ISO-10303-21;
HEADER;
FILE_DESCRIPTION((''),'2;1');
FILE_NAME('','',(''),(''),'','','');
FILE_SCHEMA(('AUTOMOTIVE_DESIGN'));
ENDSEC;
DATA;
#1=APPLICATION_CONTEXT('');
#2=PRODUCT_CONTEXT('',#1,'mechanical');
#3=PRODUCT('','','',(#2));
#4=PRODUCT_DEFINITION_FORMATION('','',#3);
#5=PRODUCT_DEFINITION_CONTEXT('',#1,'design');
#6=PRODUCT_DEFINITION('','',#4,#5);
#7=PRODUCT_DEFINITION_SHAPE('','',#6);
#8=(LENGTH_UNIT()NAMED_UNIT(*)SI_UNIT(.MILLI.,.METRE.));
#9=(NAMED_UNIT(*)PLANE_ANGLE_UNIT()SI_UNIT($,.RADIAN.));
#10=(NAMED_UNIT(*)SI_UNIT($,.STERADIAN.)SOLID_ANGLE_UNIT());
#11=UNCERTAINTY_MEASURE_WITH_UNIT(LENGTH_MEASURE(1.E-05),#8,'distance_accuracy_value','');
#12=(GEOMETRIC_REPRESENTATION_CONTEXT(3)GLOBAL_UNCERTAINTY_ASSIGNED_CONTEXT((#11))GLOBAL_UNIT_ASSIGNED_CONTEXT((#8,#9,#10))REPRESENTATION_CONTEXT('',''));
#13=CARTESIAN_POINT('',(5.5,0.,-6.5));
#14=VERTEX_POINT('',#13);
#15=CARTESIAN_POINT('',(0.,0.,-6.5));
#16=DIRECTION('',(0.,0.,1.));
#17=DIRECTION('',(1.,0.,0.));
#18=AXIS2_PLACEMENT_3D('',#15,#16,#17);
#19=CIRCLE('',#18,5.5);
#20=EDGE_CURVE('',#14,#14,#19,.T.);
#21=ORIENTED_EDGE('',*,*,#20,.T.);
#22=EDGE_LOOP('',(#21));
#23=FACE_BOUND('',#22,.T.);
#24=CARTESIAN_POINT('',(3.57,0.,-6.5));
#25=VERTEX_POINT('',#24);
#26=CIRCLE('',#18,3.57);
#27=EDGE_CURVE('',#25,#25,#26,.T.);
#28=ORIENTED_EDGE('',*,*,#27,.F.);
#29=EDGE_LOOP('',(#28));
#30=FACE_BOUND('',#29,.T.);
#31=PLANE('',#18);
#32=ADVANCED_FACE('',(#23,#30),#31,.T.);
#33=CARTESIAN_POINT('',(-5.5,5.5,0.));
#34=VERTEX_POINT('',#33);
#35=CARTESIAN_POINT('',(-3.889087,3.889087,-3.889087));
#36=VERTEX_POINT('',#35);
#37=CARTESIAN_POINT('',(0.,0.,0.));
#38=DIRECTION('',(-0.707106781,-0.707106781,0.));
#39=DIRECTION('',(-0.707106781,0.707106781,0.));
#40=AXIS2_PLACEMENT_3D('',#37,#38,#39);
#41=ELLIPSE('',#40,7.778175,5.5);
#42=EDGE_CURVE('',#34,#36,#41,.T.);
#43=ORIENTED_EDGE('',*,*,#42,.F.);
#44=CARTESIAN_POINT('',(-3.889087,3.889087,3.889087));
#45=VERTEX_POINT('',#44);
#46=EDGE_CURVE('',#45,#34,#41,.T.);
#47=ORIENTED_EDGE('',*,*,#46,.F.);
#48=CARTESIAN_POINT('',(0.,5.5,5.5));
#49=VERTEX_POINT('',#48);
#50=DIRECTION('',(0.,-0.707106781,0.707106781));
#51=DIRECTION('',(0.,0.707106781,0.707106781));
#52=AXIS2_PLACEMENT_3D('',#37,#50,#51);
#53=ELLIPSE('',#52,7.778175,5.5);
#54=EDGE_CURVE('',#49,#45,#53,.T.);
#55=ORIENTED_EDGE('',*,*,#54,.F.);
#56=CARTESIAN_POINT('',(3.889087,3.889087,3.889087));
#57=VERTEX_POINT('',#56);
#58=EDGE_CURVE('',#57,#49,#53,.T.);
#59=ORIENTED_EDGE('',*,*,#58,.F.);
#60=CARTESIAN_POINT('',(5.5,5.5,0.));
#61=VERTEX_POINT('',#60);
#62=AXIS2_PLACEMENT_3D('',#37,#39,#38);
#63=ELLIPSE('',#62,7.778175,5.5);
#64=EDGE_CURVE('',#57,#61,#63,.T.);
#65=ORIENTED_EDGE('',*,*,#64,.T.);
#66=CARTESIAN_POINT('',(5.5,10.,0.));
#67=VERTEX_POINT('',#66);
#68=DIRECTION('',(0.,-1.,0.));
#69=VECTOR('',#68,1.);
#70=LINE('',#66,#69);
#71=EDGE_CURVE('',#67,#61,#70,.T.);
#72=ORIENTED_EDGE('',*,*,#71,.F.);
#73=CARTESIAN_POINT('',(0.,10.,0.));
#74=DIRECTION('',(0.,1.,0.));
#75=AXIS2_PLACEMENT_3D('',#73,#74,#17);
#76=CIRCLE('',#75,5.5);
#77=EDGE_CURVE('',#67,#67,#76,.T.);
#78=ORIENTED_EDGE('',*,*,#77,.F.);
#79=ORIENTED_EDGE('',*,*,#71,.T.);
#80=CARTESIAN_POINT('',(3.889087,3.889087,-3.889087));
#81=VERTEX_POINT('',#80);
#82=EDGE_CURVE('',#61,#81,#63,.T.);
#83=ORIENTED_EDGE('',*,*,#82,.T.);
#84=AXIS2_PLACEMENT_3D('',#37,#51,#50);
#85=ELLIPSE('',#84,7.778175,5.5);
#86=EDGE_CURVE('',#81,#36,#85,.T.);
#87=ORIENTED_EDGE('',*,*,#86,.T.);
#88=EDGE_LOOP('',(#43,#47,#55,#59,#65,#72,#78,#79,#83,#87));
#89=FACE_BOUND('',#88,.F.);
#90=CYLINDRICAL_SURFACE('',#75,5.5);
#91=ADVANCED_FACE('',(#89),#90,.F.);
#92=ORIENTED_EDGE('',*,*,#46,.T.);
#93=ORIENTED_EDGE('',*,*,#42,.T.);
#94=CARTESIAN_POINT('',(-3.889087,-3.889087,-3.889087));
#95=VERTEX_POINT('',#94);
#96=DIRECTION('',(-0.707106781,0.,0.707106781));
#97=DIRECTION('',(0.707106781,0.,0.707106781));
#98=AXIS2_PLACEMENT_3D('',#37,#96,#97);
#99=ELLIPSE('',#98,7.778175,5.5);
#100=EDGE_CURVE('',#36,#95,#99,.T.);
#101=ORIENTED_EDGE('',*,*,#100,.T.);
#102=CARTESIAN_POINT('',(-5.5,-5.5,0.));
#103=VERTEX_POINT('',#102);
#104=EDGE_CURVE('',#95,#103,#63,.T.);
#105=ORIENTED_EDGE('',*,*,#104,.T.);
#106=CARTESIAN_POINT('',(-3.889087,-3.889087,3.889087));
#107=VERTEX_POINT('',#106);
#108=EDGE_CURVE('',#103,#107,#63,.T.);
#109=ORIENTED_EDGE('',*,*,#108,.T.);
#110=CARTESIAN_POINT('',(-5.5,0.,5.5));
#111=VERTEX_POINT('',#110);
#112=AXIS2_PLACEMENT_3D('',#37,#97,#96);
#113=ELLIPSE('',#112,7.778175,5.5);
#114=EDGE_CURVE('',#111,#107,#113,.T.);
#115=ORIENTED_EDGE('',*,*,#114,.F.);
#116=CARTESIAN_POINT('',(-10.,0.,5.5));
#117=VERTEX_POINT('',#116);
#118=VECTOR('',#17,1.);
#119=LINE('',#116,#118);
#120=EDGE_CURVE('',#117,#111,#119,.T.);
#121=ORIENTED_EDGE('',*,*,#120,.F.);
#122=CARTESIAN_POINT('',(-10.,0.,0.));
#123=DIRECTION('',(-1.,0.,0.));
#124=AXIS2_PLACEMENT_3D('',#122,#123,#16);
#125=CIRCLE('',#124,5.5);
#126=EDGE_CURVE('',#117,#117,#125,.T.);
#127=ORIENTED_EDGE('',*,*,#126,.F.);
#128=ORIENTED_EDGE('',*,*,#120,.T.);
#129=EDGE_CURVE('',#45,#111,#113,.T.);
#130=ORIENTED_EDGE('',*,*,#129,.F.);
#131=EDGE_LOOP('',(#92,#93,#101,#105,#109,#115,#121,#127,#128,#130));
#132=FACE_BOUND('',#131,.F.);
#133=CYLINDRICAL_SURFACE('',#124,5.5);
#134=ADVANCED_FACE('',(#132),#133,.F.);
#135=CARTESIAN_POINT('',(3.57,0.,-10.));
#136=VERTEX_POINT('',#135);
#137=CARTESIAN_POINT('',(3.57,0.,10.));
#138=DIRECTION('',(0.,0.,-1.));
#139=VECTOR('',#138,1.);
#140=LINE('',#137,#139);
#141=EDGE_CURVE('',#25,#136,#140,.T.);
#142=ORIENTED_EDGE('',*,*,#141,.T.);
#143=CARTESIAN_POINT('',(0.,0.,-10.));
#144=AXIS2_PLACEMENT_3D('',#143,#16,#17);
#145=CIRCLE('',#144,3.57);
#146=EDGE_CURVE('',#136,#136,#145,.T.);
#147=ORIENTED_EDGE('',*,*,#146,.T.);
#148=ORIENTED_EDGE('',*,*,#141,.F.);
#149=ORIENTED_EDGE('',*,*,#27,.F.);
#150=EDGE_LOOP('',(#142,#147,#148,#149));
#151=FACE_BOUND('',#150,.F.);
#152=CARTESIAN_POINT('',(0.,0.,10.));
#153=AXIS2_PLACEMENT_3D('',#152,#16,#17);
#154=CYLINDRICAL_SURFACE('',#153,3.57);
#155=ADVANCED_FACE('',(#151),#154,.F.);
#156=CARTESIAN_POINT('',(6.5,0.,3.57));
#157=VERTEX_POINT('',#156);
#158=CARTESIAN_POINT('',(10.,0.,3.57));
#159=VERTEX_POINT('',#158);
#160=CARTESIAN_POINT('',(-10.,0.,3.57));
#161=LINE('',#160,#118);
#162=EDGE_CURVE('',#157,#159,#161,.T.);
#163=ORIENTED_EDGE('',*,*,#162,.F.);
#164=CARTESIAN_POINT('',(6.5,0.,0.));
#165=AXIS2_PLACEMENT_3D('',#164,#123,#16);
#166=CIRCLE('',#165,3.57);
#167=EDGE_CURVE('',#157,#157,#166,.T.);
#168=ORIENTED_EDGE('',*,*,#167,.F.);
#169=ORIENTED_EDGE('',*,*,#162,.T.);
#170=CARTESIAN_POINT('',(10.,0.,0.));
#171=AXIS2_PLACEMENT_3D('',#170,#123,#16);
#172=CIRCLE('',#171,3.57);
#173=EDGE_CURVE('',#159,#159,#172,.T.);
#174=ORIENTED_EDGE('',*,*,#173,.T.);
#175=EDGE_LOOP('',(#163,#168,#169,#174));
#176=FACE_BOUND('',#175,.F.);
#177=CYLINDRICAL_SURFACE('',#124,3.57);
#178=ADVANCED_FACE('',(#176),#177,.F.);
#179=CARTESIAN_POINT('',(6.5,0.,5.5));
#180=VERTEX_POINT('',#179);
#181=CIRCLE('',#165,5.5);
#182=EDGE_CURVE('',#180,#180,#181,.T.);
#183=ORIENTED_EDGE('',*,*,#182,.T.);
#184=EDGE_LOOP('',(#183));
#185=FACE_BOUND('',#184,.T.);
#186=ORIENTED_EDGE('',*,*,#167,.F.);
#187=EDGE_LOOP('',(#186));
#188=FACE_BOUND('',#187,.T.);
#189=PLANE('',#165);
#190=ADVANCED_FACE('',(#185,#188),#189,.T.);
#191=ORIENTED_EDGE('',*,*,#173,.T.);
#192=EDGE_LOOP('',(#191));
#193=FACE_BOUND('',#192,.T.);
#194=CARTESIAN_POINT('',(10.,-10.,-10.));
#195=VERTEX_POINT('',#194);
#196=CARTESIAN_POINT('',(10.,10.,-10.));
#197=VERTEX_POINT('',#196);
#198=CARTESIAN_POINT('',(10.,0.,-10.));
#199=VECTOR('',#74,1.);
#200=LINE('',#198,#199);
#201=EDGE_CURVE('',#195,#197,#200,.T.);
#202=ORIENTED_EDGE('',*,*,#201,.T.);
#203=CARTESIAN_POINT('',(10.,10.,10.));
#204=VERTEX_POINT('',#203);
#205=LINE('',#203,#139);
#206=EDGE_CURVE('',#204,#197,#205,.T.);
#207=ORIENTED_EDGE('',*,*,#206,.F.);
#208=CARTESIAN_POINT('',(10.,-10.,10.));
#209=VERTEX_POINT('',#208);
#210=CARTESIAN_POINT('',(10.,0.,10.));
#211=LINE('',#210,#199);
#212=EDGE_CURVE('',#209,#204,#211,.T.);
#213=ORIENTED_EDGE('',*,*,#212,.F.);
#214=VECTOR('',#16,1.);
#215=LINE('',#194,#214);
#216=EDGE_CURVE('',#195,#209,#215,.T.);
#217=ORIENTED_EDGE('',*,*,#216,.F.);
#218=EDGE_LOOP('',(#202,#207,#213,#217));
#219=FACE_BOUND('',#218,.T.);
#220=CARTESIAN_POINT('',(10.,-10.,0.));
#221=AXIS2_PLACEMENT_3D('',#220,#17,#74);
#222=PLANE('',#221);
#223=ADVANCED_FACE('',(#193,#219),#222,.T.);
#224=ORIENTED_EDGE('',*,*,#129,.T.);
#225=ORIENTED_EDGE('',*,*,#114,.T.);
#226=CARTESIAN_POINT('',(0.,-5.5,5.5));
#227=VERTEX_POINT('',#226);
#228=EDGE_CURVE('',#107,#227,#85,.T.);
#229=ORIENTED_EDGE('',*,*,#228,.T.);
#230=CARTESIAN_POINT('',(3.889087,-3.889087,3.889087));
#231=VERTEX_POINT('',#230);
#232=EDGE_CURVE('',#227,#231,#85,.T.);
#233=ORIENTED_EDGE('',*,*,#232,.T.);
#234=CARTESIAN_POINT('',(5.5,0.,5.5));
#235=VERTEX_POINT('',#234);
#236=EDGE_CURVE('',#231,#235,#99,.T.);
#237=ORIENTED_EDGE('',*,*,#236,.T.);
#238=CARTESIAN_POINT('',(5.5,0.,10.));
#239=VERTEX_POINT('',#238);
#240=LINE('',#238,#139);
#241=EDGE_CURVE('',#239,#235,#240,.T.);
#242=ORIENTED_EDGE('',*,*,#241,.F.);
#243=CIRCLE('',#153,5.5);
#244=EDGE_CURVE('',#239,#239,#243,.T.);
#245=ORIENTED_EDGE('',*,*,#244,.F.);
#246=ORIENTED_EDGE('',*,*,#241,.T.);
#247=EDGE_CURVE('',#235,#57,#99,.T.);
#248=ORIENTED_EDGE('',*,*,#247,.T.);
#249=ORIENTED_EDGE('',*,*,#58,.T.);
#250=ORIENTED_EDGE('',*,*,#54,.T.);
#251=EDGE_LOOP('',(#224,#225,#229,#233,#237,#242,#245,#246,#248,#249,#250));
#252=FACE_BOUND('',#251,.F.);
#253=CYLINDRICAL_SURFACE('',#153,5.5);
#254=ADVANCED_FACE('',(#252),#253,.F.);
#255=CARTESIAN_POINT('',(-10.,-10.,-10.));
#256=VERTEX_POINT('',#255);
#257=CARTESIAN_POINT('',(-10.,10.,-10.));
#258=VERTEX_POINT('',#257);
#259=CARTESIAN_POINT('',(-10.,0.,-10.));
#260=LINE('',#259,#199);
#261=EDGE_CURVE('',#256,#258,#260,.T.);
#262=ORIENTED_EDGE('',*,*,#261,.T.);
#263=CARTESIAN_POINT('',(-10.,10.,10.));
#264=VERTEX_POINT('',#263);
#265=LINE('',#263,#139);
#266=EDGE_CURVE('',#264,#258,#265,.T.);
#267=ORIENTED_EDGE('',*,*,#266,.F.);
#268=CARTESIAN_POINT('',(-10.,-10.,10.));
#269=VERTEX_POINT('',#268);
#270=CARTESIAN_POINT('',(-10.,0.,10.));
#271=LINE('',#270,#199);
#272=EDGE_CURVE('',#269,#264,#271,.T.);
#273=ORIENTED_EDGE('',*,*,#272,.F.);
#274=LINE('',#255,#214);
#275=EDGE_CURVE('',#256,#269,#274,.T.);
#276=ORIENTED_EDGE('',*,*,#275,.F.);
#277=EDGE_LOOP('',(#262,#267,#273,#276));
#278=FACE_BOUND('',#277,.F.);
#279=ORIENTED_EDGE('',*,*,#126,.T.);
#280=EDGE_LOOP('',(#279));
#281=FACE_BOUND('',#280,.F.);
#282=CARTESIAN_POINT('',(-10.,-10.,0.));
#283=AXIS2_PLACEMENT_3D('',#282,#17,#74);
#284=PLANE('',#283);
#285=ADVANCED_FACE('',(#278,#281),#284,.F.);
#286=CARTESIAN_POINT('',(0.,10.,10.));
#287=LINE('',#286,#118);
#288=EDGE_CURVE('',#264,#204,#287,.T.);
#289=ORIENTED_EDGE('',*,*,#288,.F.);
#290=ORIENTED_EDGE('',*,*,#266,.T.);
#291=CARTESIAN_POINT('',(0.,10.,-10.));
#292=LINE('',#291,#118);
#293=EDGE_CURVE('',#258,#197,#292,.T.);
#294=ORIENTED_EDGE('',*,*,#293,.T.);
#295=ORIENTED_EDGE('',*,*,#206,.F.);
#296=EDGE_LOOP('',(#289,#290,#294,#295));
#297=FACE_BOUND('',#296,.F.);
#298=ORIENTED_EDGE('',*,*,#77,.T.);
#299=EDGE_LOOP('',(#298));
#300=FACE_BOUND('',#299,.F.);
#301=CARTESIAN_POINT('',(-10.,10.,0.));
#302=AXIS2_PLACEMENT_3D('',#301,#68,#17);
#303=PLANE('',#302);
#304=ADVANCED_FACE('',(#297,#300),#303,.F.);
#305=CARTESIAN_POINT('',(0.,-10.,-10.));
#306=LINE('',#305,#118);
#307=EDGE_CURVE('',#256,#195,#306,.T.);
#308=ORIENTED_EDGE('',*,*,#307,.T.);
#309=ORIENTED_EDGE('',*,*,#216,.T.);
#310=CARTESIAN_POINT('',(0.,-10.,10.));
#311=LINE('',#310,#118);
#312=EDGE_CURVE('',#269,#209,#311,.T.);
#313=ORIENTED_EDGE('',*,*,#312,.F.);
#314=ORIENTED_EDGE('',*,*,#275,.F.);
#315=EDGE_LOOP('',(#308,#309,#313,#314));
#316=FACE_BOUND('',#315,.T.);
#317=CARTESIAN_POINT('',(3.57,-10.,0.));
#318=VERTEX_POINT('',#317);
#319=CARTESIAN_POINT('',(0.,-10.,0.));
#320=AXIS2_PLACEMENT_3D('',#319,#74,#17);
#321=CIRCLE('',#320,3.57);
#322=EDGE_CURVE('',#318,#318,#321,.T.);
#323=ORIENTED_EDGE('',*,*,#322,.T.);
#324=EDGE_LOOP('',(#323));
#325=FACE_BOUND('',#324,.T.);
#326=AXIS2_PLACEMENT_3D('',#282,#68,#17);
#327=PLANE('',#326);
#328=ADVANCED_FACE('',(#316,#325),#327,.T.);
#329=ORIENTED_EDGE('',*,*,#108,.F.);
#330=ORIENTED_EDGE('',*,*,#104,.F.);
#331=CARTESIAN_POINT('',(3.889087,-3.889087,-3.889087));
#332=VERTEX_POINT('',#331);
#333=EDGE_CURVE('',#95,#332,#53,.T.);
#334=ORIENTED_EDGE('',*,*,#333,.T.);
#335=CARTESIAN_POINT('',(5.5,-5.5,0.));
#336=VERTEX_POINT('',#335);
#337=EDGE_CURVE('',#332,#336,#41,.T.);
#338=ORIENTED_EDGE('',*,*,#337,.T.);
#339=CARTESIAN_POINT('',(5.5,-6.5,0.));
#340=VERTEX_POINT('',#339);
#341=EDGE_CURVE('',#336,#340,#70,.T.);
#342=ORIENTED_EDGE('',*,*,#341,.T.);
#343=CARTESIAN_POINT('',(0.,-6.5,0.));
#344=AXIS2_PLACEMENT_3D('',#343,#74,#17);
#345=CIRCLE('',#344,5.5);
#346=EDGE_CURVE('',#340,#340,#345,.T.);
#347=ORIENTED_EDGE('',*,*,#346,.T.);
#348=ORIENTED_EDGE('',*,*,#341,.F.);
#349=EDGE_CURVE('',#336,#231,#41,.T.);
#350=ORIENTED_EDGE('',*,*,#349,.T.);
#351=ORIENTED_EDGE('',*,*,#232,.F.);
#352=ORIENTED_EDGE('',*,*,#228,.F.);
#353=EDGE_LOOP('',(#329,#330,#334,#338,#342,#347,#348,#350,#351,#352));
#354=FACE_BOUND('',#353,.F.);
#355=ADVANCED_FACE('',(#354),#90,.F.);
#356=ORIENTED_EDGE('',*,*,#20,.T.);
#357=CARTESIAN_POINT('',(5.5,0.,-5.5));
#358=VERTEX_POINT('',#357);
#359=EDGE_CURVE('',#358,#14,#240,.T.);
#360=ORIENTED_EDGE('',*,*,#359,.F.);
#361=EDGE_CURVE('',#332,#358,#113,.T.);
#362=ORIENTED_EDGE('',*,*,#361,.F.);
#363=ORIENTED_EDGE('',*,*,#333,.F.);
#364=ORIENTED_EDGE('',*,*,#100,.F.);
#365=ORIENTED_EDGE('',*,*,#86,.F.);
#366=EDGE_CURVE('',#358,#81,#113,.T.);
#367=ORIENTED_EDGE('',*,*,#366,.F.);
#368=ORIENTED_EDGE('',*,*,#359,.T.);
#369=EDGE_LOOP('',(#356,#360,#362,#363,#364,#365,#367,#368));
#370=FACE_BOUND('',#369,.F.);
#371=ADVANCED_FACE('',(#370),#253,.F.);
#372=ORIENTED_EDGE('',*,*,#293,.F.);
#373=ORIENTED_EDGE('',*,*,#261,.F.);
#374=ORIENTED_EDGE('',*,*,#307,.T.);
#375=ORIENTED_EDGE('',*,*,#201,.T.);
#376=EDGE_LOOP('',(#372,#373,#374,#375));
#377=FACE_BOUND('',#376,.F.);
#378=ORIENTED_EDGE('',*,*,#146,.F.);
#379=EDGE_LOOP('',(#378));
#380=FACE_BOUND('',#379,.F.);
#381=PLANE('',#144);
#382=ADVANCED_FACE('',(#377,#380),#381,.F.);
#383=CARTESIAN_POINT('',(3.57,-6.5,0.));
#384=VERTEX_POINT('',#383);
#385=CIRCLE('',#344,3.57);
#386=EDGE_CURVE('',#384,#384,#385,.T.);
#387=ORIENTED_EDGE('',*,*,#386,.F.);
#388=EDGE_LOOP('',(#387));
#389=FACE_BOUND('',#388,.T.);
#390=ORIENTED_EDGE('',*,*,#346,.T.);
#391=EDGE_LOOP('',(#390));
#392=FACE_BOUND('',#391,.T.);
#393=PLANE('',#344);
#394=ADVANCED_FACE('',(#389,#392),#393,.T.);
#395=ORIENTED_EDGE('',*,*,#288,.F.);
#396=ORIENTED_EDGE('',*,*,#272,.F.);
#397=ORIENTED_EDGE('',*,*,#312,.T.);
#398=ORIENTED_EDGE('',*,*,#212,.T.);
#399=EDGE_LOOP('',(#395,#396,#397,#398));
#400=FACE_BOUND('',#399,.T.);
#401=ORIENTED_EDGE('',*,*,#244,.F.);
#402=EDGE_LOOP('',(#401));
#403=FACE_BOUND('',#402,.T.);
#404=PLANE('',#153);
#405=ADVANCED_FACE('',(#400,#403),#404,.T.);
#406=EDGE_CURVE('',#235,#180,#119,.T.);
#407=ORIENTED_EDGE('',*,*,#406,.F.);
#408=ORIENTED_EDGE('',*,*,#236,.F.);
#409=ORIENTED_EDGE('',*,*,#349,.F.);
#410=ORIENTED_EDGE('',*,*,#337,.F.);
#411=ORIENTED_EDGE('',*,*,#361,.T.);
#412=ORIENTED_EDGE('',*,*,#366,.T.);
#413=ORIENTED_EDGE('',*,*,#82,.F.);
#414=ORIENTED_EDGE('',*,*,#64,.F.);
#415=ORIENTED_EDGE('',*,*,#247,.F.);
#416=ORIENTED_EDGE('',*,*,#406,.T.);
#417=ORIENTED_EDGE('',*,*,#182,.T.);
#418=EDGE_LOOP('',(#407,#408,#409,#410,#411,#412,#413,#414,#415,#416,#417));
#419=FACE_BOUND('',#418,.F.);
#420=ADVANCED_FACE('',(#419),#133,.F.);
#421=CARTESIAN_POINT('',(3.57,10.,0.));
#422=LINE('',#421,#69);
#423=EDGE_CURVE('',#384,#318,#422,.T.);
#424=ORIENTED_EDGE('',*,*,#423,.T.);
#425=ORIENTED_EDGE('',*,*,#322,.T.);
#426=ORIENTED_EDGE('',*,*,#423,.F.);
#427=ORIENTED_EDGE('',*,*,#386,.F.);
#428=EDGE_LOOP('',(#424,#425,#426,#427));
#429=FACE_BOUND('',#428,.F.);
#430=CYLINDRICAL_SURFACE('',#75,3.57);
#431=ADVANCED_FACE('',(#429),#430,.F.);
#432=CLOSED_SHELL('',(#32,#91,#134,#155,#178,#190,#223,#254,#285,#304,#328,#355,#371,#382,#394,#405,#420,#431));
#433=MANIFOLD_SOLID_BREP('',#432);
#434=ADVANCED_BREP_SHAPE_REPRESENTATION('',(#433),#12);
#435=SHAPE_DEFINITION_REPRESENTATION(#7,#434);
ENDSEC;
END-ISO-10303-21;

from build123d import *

# Parameters (mm, degrees)
SKETCH1_W           = 20
SKETCH1_H           = 20
BOSS_EXTRUDE1_DEPTH = 10
SKETCH2_R           = 3.57
CUT_EXTRUDE1_DEPTH  = 21
SKETCH3_R           = 5.5
CUT_EXTRUDE2_DEPTH  = 16.5
SKETCH4_R           = 3.57
CUT_EXTRUDE3_DEPTH  = 21
SKETCH5_R           = 5.5
CUT_EXTRUDE4_DEPTH  = 16.5
SKETCH6_R           = 3.57
CUT_EXTRUDE5_DEPTH  = 21
SKETCH7_R           = 5.5
CUT_EXTRUDE6_DEPTH  = 16.5


with BuildPart() as part:
    # Sketch1 → Boss-Extrude1 (new body, symmetric)
    with BuildSketch(Plane.XY):
        Rectangle(SKETCH1_W, SKETCH1_H)
    extrude(amount=BOSS_EXTRUDE1_DEPTH, both=True)

    # Sketch2 → Cut-Extrude1 (cut, through all)
    with BuildSketch(Plane.XY.offset(10)):
        Circle(SKETCH2_R)
    extrude(amount=-CUT_EXTRUDE1_DEPTH, mode=Mode.SUBTRACT)

    # Sketch3 → Cut-Extrude2 (cut)
    with BuildSketch(Plane.XY.offset(10)):
        Circle(SKETCH3_R)
    extrude(amount=-CUT_EXTRUDE2_DEPTH, mode=Mode.SUBTRACT)

    # Sketch4 → Cut-Extrude3 (cut, through all)
    with BuildSketch(Plane.ZY.offset(10)):
        Circle(SKETCH4_R)
    extrude(amount=-CUT_EXTRUDE3_DEPTH, mode=Mode.SUBTRACT)

    # Sketch5 → Cut-Extrude4 (cut)
    with BuildSketch(Plane.ZY.offset(10)):
        Circle(SKETCH5_R)
    extrude(amount=-CUT_EXTRUDE4_DEPTH, mode=Mode.SUBTRACT)

    # Sketch6 → Cut-Extrude5 (cut, through all)
    with BuildSketch(Plane(origin=(0, 10, 0), x_dir=(1, 0, 0), z_dir=(0, 1, 0))):
        Circle(SKETCH6_R)
    extrude(amount=-CUT_EXTRUDE5_DEPTH, mode=Mode.SUBTRACT)

    # Sketch7 → Cut-Extrude6 (cut)
    with BuildSketch(Plane(origin=(0, 10, 0), x_dir=(1, 0, 0), z_dir=(0, 1, 0))):
        Circle(SKETCH7_R)
    extrude(amount=-CUT_EXTRUDE6_DEPTH, mode=Mode.SUBTRACT)


solid = part.part
